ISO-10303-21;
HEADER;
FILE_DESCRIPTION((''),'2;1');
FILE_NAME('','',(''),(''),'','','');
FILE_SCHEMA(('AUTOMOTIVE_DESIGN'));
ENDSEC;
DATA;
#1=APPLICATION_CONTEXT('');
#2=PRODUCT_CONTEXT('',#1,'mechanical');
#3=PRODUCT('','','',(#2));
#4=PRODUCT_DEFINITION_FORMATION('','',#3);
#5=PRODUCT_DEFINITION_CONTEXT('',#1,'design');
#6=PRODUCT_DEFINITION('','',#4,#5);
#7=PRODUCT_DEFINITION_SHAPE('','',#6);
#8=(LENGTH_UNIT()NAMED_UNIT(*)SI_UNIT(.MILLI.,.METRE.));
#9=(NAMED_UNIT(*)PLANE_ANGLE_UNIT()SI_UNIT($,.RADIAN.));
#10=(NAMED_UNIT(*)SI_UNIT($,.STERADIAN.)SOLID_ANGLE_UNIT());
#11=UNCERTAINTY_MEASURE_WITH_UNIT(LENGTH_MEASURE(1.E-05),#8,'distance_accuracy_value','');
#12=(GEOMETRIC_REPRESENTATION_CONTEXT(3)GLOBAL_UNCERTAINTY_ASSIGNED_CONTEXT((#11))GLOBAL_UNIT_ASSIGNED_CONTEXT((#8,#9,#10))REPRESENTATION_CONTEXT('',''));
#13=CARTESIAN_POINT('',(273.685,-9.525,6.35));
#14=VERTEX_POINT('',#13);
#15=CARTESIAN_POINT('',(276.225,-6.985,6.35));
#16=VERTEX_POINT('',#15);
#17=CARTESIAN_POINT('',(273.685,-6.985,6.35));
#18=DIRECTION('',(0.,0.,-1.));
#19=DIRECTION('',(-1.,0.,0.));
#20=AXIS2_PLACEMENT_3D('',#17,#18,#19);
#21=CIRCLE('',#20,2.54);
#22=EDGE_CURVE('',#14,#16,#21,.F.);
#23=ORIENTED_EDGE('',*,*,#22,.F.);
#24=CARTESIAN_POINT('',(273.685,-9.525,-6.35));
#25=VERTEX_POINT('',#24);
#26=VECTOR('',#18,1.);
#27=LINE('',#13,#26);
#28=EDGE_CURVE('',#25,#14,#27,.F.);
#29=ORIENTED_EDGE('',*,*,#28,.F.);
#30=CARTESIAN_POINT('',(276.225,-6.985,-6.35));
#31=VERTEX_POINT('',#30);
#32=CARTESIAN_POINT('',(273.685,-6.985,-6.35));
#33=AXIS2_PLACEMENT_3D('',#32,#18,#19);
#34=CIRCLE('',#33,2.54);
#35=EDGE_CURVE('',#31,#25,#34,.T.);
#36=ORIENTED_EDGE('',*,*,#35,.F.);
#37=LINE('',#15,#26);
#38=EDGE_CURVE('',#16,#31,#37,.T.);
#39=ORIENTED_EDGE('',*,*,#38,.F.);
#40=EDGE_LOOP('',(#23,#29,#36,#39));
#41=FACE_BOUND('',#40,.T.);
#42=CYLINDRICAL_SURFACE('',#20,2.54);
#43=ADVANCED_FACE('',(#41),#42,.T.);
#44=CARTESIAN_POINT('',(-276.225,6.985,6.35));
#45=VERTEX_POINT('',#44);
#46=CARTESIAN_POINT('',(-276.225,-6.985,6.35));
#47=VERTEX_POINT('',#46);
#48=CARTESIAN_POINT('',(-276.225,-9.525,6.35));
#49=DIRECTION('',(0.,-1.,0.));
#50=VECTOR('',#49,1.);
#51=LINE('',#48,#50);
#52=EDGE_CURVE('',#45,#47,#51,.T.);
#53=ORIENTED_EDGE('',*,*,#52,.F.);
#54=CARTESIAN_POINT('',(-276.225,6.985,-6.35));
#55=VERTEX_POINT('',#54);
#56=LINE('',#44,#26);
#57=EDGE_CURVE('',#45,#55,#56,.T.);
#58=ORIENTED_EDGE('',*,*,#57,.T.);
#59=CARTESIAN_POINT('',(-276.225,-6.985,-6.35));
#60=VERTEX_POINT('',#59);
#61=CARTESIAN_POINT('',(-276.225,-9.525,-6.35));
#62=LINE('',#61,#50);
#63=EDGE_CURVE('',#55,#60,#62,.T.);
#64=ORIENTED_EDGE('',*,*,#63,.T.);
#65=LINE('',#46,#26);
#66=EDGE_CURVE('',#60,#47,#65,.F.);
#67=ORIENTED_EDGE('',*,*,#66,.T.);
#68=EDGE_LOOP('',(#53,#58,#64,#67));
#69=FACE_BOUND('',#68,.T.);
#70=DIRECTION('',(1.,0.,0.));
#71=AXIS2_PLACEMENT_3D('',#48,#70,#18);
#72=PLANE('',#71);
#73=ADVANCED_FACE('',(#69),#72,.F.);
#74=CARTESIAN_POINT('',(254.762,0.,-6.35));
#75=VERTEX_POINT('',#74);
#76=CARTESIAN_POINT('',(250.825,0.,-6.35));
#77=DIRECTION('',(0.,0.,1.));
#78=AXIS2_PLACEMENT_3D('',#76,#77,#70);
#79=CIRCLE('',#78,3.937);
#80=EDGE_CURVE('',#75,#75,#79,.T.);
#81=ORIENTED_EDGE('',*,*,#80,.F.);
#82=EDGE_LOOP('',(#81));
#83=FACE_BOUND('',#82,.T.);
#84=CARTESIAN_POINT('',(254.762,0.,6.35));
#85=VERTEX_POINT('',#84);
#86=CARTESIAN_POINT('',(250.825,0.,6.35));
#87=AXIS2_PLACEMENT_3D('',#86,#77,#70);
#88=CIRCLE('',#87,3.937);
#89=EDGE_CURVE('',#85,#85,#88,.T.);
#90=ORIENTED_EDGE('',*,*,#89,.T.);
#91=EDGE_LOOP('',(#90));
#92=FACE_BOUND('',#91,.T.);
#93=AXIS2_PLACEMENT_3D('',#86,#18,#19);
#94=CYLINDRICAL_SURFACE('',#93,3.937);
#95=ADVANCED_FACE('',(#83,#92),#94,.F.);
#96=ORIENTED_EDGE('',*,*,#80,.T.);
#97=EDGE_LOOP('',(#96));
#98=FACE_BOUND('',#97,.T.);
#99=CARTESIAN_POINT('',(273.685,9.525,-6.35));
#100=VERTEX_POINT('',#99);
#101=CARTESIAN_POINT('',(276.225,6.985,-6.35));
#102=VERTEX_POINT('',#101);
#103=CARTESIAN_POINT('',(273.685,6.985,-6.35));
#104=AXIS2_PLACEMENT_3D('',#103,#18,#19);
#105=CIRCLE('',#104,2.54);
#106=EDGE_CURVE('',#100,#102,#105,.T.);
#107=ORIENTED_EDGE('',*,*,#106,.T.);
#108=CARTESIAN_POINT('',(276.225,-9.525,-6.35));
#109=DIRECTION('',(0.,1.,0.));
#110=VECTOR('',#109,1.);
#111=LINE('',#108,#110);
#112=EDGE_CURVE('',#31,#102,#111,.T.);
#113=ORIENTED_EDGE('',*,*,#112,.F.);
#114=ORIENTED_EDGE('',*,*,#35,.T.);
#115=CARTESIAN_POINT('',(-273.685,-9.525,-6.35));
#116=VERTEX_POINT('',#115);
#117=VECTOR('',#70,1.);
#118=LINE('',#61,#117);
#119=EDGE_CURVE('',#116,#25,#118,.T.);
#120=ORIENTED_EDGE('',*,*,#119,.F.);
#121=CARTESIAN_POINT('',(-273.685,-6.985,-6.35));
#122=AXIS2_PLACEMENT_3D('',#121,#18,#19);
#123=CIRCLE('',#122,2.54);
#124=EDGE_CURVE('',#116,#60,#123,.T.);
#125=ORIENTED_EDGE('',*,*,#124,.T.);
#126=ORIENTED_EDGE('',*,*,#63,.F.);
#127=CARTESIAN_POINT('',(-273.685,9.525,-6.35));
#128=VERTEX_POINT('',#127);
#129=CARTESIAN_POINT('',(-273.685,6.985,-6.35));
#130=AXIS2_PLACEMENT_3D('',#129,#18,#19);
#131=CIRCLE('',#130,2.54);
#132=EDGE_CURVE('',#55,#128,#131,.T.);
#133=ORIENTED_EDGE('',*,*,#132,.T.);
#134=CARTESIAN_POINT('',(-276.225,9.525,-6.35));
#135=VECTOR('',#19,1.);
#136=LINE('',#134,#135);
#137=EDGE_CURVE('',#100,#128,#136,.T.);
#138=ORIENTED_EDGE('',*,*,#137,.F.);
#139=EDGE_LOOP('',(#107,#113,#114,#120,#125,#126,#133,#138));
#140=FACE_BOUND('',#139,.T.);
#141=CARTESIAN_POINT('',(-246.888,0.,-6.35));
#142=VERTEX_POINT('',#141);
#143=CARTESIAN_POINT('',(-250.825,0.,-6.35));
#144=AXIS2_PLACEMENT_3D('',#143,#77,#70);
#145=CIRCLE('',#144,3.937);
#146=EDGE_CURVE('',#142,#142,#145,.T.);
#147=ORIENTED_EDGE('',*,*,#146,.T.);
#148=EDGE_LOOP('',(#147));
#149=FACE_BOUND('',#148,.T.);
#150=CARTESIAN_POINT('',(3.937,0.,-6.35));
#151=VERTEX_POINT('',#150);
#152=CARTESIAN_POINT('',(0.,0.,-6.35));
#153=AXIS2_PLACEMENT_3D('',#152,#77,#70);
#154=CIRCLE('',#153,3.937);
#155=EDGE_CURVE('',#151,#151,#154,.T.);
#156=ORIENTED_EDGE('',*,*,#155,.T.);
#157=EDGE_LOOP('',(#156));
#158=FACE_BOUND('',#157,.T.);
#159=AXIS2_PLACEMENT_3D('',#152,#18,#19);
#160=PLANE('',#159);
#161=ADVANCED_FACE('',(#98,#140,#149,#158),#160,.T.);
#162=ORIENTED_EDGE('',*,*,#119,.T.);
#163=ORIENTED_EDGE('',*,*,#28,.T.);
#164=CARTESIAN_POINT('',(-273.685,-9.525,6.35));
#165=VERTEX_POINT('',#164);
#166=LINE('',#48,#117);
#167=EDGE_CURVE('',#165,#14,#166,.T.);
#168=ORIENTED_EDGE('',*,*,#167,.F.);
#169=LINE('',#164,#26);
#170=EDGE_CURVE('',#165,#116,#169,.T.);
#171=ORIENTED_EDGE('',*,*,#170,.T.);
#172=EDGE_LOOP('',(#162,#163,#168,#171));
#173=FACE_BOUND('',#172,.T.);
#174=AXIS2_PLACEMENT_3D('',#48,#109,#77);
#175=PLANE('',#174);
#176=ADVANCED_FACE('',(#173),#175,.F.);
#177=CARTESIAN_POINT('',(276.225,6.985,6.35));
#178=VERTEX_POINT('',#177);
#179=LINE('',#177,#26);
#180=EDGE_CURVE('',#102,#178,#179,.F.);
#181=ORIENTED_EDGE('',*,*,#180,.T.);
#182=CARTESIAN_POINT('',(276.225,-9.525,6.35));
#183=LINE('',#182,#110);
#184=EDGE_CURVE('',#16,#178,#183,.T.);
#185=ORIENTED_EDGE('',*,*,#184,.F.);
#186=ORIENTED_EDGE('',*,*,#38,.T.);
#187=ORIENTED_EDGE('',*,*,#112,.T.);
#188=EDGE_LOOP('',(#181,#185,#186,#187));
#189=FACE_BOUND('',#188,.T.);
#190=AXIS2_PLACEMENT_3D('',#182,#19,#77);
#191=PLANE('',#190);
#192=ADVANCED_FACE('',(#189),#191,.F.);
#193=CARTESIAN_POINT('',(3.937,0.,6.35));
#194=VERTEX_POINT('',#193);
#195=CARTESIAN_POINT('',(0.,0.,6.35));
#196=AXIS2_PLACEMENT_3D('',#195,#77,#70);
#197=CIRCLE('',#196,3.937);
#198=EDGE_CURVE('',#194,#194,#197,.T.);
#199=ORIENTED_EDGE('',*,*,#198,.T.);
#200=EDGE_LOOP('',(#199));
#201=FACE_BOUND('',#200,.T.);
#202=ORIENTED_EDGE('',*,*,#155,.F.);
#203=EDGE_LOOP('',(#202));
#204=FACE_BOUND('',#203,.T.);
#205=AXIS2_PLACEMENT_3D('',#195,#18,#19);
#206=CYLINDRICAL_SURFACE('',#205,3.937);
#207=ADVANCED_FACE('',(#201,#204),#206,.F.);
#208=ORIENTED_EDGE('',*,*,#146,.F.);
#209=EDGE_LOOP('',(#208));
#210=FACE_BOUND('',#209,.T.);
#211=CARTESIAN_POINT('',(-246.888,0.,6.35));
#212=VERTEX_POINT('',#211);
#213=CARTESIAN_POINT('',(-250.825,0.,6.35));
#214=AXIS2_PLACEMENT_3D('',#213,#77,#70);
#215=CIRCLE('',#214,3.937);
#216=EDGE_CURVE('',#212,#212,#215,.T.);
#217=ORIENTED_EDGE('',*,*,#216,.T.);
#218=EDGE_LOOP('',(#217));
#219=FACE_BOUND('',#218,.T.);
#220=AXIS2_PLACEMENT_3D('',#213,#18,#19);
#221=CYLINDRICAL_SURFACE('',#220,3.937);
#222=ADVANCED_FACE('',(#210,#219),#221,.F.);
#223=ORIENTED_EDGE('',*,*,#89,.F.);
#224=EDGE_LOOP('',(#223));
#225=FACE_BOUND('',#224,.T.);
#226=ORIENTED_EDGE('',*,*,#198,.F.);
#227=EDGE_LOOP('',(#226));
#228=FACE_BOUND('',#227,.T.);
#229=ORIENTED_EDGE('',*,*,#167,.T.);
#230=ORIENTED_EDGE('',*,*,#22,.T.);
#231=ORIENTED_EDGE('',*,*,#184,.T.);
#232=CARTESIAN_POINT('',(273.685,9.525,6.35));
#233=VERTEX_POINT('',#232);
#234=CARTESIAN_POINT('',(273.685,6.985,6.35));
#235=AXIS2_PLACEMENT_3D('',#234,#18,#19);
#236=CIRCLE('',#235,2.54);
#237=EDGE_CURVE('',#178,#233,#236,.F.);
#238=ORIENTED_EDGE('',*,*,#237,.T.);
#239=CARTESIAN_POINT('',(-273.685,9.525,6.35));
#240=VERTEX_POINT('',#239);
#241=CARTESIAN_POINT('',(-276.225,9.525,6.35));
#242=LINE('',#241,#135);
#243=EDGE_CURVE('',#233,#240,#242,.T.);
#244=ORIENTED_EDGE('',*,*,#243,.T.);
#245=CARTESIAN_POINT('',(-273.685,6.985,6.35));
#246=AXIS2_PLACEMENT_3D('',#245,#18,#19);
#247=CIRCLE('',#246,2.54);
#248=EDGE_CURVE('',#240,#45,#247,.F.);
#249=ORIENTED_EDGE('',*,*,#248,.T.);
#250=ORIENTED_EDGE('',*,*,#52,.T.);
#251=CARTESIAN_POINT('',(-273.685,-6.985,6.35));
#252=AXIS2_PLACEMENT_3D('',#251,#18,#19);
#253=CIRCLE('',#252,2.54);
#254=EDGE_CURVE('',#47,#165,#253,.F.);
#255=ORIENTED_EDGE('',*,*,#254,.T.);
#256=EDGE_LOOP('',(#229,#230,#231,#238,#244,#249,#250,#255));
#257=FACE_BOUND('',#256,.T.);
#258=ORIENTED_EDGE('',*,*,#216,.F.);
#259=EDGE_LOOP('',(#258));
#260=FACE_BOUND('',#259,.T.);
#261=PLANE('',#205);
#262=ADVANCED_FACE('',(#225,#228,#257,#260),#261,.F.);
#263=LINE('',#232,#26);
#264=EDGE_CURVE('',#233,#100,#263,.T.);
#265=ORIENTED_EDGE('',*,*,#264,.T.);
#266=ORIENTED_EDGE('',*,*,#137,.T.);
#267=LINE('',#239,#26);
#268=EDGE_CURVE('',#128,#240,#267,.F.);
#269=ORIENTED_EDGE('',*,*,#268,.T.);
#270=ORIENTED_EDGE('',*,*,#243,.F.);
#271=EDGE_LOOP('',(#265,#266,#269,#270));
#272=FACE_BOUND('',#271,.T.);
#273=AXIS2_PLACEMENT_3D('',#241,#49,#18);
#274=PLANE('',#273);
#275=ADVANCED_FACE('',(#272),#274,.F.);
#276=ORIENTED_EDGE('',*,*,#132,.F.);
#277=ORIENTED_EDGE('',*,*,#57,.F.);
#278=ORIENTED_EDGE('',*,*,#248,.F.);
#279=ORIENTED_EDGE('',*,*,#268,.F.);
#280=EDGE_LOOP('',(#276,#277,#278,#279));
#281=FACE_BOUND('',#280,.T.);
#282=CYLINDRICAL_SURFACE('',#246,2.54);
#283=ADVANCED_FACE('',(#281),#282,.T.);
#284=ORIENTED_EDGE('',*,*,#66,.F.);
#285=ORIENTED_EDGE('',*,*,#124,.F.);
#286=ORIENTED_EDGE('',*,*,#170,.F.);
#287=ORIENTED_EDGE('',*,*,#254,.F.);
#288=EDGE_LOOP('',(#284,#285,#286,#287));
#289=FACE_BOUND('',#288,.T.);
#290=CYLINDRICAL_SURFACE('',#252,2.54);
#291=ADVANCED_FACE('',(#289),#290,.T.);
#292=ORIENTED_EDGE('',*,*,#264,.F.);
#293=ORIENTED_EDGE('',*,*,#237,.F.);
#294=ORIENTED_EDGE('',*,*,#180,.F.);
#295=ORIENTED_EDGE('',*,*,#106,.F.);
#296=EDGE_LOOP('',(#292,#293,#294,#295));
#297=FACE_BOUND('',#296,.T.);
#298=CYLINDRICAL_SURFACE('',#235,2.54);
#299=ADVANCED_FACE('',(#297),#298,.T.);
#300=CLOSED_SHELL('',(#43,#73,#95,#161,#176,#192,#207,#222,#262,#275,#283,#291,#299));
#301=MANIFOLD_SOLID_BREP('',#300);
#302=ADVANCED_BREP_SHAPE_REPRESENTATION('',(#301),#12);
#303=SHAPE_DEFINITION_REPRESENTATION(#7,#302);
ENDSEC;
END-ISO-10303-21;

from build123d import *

# Parameters (mm, degrees)
SKETCH1_W           = 552.45
SKETCH1_H           = 19.05
SKETCH1_R           = 3.937
BOSS_EXTRUDE1_DEPTH = 6.35
FILLET1_R           = 2.54


with BuildPart() as part:
    # Sketch1 → Boss-Extrude1 (new, symmetric)
    with BuildSketch(Plane.XY):
        Rectangle(SKETCH1_W, SKETCH1_H)
        Circle(SKETCH1_R, mode=Mode.SUBTRACT)
        with Locations((-250.825, 0)):
            Circle(SKETCH1_R, mode=Mode.SUBTRACT)
        with Locations((250.825, 0)):
            Circle(SKETCH1_R, mode=Mode.SUBTRACT)
    extrude(amount=BOSS_EXTRUDE1_DEPTH, both=True)

    # Fillet1
    fillet1_edges = [part.edges().sort_by_distance(p)[0] for p in [
        (276.225, -9.525, 0),
        (-276.225, -9.525, 0),
        (-276.225, 9.525, 0),
        (276.225, 9.525, 0),
    ]]
    fillet(fillet1_edges, radius=FILLET1_R)


solid = part.part
